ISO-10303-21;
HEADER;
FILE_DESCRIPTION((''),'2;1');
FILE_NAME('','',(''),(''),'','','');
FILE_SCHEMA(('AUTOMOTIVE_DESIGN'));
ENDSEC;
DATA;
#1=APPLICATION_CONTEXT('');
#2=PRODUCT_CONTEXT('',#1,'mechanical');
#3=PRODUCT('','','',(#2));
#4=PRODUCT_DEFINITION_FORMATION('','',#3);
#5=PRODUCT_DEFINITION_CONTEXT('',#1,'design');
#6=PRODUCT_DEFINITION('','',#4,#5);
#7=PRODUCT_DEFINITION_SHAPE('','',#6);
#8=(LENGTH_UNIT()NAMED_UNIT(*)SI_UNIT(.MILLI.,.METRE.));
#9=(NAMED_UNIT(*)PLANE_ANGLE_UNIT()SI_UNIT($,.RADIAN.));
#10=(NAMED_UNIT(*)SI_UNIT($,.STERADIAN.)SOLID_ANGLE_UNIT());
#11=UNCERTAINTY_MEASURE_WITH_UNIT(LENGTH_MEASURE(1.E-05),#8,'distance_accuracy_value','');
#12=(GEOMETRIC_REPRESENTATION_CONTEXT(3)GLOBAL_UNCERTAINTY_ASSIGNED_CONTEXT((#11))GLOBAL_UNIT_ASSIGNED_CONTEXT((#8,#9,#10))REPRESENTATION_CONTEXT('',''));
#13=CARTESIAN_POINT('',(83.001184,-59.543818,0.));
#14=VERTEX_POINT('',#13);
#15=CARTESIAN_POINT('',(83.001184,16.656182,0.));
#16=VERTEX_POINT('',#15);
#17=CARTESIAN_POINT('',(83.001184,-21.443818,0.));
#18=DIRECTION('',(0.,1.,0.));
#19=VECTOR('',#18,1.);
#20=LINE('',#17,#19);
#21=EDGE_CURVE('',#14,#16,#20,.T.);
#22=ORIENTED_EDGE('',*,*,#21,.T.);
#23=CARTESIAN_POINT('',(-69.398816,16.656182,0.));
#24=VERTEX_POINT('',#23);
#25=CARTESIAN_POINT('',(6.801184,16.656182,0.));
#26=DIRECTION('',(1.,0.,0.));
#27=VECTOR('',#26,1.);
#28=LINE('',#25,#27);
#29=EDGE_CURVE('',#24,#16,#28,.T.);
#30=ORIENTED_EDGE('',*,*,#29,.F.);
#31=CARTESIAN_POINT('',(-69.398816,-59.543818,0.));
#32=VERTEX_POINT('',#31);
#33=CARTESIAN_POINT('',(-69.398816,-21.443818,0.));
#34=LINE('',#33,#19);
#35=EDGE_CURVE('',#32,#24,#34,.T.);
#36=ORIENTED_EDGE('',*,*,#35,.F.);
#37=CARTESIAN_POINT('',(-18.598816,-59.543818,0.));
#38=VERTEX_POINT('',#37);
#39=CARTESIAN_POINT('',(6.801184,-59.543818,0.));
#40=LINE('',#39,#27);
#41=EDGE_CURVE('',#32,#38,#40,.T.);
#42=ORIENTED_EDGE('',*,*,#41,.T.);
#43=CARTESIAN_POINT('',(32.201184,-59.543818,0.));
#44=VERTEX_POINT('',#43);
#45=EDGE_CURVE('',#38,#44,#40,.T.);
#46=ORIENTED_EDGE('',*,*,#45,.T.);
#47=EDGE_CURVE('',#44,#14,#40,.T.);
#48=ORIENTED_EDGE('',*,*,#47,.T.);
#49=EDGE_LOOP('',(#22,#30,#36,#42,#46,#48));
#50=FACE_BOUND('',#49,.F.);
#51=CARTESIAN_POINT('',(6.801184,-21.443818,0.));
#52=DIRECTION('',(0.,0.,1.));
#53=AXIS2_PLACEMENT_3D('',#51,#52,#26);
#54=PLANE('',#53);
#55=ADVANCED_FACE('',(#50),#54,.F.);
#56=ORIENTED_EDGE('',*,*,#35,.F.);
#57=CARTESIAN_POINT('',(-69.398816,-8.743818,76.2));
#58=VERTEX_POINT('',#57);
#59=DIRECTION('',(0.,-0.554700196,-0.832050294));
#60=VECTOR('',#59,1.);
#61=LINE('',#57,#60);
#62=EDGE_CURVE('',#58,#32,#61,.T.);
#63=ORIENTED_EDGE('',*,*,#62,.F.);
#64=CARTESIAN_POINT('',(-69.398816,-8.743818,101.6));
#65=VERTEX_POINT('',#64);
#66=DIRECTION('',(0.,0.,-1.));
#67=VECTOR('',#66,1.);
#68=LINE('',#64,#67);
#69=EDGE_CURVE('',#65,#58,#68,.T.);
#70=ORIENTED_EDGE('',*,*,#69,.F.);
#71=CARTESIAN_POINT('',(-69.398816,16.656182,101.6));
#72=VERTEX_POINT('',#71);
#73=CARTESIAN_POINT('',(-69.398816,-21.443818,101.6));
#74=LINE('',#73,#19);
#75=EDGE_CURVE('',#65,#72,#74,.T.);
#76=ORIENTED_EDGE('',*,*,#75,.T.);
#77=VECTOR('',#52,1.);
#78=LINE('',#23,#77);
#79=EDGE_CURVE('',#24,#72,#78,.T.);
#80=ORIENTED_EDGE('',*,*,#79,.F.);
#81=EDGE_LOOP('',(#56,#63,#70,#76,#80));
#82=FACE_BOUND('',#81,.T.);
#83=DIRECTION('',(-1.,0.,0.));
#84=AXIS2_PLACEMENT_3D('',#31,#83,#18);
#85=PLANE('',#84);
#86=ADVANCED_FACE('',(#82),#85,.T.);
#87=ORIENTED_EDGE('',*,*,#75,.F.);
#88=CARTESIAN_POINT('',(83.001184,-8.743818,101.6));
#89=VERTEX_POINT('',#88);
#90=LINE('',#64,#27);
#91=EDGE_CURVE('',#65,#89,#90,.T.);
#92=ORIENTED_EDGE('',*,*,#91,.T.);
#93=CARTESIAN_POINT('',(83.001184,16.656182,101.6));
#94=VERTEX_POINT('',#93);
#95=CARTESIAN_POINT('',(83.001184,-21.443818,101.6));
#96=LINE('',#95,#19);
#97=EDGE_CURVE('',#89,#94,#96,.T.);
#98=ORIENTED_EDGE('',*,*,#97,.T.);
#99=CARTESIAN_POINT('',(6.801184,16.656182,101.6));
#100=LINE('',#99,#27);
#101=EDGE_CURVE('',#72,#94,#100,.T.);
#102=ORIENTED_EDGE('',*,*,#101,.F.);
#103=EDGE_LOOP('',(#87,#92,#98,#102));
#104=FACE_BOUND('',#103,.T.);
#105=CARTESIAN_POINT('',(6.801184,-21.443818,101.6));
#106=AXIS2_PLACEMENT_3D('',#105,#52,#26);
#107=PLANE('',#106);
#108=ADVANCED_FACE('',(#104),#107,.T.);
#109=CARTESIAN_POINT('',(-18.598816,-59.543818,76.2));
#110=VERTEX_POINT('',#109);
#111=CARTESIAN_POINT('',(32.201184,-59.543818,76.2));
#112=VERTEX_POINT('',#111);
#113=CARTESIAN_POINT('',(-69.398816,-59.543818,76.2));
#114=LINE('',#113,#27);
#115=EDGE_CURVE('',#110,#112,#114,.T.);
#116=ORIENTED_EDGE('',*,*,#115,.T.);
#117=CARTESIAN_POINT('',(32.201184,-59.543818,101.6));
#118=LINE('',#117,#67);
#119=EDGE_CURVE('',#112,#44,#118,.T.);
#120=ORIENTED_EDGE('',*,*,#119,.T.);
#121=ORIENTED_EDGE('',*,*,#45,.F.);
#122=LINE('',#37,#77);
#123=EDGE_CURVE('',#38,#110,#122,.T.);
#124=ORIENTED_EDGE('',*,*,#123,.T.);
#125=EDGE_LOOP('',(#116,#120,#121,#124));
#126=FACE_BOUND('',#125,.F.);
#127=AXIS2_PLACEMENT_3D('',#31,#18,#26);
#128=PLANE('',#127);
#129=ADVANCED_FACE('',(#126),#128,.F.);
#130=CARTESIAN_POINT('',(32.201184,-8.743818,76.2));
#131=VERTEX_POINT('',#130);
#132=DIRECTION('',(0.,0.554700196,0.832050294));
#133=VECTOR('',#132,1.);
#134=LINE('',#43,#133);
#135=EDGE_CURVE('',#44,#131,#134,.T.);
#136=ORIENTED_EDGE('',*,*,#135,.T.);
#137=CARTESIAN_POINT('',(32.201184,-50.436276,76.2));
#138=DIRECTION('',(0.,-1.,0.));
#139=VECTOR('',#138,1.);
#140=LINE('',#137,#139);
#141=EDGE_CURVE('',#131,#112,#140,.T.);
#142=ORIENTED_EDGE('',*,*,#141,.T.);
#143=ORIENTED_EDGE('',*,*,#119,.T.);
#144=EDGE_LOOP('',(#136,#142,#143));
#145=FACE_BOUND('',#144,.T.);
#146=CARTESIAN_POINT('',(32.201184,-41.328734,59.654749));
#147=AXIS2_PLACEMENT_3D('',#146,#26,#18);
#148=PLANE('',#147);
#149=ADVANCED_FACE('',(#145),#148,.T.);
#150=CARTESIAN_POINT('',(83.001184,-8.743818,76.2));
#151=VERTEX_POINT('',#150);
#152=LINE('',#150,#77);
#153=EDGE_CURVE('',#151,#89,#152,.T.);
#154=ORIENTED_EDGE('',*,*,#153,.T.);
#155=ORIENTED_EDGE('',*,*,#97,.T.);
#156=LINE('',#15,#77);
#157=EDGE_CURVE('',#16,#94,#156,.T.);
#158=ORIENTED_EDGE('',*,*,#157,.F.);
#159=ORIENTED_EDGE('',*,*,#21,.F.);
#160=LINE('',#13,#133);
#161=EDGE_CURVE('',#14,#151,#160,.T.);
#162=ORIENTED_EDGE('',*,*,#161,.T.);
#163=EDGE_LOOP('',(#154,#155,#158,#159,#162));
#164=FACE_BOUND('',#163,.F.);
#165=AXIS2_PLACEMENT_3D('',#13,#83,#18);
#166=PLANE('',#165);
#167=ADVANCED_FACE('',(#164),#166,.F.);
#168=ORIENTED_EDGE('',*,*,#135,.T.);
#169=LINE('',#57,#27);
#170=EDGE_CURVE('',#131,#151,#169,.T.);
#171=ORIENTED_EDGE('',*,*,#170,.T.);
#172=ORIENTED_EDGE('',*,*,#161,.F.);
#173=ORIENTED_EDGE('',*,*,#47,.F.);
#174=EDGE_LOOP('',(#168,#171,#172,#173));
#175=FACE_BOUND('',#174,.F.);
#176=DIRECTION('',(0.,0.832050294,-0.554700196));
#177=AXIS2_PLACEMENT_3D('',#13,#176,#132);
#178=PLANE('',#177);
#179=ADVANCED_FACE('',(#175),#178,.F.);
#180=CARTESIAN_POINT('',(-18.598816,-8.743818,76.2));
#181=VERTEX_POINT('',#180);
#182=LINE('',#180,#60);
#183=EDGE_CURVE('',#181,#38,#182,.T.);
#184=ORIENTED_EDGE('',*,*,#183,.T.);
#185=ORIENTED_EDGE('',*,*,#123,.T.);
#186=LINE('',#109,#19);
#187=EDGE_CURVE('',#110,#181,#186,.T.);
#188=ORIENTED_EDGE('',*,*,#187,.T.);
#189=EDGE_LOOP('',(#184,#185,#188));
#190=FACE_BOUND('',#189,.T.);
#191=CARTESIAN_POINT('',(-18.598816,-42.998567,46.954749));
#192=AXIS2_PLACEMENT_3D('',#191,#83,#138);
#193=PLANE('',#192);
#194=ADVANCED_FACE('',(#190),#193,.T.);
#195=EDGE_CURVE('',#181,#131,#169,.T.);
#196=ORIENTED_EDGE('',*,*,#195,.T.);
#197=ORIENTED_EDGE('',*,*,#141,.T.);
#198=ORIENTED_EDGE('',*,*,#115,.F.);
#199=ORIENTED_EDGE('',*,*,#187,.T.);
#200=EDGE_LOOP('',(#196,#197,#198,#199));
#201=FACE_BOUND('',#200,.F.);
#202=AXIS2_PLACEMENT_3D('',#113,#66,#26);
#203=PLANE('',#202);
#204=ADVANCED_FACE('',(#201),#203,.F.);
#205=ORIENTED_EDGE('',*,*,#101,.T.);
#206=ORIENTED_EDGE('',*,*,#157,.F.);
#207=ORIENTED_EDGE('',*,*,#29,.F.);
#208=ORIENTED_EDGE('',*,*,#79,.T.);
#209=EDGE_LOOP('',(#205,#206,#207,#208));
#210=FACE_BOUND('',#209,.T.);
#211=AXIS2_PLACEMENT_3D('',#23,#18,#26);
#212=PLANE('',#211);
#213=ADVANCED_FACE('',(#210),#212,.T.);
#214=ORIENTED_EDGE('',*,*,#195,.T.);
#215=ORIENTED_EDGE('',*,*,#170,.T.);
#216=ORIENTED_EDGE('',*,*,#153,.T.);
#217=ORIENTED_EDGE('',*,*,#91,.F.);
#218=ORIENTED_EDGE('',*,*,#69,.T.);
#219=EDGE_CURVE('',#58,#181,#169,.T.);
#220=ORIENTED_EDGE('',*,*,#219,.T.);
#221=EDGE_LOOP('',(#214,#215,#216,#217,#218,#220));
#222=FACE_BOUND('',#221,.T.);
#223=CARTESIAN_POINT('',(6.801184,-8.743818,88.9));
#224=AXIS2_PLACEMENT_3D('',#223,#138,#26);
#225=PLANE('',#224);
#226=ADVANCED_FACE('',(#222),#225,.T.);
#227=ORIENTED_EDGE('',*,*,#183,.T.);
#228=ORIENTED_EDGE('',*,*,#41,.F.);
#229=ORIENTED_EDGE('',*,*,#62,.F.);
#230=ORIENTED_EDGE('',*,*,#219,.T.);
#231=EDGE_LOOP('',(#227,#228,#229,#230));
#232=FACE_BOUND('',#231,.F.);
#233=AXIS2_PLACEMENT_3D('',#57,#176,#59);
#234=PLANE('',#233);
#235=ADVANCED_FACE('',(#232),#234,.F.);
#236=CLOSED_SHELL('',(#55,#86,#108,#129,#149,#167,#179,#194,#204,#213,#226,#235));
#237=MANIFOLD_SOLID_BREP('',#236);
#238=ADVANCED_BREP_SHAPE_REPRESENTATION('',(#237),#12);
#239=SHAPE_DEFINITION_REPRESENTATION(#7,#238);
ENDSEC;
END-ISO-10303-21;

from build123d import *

# Parameters (mm, degrees)
F0_W     = 152.4
F0_H     = 76.2
F1_DEPTH = 101.6
F4_DEPTH = 50.8
F5_DEPTH = 50.8
F7_DEPTH = 50.8


with BuildPart() as f1:
    # F0 (on Top) → F1 (new body)
    with BuildSketch(Plane.XY):
        with Locations((6.801184, -21.443818)):
            Rectangle(F0_W, F0_H)
    extrude(amount=F1_DEPTH)

    # F3 (on face) → F4 (cut)
    with BuildSketch(Plane.XZ.offset(59.543818)):
        Polygon((-69.398816, 101.6), (-69.398816, 76.2), (-18.598816, 76.2), (32.201184, 76.2), (83.001184, 76.2), (83.001184, 101.6), align=None)
    extrude(amount=-F4_DEPTH, mode=Mode.SUBTRACT)

    # F2 (on face) → F5 (cut)
    with BuildSketch(Plane.YZ.offset(83.001184)):
        Polygon((-59.543818, 0), (-8.743818, 76.2), (-8.743818, 101.6), (-59.543818, 101.6), align=None)
    extrude(amount=-F5_DEPTH, mode=Mode.SUBTRACT)

    # F6 (on face) → F7 (cut)
    with BuildSketch(Plane(origin=(-69.398816, 0, 0), x_dir=(0, -1, 0), z_dir=(-1, 0, 0))):
        Polygon((59.543818, 76.2), (8.743818, 76.2), (59.543818, 0), align=None)
    extrude(amount=-F7_DEPTH, mode=Mode.SUBTRACT)


solid = f1.part
